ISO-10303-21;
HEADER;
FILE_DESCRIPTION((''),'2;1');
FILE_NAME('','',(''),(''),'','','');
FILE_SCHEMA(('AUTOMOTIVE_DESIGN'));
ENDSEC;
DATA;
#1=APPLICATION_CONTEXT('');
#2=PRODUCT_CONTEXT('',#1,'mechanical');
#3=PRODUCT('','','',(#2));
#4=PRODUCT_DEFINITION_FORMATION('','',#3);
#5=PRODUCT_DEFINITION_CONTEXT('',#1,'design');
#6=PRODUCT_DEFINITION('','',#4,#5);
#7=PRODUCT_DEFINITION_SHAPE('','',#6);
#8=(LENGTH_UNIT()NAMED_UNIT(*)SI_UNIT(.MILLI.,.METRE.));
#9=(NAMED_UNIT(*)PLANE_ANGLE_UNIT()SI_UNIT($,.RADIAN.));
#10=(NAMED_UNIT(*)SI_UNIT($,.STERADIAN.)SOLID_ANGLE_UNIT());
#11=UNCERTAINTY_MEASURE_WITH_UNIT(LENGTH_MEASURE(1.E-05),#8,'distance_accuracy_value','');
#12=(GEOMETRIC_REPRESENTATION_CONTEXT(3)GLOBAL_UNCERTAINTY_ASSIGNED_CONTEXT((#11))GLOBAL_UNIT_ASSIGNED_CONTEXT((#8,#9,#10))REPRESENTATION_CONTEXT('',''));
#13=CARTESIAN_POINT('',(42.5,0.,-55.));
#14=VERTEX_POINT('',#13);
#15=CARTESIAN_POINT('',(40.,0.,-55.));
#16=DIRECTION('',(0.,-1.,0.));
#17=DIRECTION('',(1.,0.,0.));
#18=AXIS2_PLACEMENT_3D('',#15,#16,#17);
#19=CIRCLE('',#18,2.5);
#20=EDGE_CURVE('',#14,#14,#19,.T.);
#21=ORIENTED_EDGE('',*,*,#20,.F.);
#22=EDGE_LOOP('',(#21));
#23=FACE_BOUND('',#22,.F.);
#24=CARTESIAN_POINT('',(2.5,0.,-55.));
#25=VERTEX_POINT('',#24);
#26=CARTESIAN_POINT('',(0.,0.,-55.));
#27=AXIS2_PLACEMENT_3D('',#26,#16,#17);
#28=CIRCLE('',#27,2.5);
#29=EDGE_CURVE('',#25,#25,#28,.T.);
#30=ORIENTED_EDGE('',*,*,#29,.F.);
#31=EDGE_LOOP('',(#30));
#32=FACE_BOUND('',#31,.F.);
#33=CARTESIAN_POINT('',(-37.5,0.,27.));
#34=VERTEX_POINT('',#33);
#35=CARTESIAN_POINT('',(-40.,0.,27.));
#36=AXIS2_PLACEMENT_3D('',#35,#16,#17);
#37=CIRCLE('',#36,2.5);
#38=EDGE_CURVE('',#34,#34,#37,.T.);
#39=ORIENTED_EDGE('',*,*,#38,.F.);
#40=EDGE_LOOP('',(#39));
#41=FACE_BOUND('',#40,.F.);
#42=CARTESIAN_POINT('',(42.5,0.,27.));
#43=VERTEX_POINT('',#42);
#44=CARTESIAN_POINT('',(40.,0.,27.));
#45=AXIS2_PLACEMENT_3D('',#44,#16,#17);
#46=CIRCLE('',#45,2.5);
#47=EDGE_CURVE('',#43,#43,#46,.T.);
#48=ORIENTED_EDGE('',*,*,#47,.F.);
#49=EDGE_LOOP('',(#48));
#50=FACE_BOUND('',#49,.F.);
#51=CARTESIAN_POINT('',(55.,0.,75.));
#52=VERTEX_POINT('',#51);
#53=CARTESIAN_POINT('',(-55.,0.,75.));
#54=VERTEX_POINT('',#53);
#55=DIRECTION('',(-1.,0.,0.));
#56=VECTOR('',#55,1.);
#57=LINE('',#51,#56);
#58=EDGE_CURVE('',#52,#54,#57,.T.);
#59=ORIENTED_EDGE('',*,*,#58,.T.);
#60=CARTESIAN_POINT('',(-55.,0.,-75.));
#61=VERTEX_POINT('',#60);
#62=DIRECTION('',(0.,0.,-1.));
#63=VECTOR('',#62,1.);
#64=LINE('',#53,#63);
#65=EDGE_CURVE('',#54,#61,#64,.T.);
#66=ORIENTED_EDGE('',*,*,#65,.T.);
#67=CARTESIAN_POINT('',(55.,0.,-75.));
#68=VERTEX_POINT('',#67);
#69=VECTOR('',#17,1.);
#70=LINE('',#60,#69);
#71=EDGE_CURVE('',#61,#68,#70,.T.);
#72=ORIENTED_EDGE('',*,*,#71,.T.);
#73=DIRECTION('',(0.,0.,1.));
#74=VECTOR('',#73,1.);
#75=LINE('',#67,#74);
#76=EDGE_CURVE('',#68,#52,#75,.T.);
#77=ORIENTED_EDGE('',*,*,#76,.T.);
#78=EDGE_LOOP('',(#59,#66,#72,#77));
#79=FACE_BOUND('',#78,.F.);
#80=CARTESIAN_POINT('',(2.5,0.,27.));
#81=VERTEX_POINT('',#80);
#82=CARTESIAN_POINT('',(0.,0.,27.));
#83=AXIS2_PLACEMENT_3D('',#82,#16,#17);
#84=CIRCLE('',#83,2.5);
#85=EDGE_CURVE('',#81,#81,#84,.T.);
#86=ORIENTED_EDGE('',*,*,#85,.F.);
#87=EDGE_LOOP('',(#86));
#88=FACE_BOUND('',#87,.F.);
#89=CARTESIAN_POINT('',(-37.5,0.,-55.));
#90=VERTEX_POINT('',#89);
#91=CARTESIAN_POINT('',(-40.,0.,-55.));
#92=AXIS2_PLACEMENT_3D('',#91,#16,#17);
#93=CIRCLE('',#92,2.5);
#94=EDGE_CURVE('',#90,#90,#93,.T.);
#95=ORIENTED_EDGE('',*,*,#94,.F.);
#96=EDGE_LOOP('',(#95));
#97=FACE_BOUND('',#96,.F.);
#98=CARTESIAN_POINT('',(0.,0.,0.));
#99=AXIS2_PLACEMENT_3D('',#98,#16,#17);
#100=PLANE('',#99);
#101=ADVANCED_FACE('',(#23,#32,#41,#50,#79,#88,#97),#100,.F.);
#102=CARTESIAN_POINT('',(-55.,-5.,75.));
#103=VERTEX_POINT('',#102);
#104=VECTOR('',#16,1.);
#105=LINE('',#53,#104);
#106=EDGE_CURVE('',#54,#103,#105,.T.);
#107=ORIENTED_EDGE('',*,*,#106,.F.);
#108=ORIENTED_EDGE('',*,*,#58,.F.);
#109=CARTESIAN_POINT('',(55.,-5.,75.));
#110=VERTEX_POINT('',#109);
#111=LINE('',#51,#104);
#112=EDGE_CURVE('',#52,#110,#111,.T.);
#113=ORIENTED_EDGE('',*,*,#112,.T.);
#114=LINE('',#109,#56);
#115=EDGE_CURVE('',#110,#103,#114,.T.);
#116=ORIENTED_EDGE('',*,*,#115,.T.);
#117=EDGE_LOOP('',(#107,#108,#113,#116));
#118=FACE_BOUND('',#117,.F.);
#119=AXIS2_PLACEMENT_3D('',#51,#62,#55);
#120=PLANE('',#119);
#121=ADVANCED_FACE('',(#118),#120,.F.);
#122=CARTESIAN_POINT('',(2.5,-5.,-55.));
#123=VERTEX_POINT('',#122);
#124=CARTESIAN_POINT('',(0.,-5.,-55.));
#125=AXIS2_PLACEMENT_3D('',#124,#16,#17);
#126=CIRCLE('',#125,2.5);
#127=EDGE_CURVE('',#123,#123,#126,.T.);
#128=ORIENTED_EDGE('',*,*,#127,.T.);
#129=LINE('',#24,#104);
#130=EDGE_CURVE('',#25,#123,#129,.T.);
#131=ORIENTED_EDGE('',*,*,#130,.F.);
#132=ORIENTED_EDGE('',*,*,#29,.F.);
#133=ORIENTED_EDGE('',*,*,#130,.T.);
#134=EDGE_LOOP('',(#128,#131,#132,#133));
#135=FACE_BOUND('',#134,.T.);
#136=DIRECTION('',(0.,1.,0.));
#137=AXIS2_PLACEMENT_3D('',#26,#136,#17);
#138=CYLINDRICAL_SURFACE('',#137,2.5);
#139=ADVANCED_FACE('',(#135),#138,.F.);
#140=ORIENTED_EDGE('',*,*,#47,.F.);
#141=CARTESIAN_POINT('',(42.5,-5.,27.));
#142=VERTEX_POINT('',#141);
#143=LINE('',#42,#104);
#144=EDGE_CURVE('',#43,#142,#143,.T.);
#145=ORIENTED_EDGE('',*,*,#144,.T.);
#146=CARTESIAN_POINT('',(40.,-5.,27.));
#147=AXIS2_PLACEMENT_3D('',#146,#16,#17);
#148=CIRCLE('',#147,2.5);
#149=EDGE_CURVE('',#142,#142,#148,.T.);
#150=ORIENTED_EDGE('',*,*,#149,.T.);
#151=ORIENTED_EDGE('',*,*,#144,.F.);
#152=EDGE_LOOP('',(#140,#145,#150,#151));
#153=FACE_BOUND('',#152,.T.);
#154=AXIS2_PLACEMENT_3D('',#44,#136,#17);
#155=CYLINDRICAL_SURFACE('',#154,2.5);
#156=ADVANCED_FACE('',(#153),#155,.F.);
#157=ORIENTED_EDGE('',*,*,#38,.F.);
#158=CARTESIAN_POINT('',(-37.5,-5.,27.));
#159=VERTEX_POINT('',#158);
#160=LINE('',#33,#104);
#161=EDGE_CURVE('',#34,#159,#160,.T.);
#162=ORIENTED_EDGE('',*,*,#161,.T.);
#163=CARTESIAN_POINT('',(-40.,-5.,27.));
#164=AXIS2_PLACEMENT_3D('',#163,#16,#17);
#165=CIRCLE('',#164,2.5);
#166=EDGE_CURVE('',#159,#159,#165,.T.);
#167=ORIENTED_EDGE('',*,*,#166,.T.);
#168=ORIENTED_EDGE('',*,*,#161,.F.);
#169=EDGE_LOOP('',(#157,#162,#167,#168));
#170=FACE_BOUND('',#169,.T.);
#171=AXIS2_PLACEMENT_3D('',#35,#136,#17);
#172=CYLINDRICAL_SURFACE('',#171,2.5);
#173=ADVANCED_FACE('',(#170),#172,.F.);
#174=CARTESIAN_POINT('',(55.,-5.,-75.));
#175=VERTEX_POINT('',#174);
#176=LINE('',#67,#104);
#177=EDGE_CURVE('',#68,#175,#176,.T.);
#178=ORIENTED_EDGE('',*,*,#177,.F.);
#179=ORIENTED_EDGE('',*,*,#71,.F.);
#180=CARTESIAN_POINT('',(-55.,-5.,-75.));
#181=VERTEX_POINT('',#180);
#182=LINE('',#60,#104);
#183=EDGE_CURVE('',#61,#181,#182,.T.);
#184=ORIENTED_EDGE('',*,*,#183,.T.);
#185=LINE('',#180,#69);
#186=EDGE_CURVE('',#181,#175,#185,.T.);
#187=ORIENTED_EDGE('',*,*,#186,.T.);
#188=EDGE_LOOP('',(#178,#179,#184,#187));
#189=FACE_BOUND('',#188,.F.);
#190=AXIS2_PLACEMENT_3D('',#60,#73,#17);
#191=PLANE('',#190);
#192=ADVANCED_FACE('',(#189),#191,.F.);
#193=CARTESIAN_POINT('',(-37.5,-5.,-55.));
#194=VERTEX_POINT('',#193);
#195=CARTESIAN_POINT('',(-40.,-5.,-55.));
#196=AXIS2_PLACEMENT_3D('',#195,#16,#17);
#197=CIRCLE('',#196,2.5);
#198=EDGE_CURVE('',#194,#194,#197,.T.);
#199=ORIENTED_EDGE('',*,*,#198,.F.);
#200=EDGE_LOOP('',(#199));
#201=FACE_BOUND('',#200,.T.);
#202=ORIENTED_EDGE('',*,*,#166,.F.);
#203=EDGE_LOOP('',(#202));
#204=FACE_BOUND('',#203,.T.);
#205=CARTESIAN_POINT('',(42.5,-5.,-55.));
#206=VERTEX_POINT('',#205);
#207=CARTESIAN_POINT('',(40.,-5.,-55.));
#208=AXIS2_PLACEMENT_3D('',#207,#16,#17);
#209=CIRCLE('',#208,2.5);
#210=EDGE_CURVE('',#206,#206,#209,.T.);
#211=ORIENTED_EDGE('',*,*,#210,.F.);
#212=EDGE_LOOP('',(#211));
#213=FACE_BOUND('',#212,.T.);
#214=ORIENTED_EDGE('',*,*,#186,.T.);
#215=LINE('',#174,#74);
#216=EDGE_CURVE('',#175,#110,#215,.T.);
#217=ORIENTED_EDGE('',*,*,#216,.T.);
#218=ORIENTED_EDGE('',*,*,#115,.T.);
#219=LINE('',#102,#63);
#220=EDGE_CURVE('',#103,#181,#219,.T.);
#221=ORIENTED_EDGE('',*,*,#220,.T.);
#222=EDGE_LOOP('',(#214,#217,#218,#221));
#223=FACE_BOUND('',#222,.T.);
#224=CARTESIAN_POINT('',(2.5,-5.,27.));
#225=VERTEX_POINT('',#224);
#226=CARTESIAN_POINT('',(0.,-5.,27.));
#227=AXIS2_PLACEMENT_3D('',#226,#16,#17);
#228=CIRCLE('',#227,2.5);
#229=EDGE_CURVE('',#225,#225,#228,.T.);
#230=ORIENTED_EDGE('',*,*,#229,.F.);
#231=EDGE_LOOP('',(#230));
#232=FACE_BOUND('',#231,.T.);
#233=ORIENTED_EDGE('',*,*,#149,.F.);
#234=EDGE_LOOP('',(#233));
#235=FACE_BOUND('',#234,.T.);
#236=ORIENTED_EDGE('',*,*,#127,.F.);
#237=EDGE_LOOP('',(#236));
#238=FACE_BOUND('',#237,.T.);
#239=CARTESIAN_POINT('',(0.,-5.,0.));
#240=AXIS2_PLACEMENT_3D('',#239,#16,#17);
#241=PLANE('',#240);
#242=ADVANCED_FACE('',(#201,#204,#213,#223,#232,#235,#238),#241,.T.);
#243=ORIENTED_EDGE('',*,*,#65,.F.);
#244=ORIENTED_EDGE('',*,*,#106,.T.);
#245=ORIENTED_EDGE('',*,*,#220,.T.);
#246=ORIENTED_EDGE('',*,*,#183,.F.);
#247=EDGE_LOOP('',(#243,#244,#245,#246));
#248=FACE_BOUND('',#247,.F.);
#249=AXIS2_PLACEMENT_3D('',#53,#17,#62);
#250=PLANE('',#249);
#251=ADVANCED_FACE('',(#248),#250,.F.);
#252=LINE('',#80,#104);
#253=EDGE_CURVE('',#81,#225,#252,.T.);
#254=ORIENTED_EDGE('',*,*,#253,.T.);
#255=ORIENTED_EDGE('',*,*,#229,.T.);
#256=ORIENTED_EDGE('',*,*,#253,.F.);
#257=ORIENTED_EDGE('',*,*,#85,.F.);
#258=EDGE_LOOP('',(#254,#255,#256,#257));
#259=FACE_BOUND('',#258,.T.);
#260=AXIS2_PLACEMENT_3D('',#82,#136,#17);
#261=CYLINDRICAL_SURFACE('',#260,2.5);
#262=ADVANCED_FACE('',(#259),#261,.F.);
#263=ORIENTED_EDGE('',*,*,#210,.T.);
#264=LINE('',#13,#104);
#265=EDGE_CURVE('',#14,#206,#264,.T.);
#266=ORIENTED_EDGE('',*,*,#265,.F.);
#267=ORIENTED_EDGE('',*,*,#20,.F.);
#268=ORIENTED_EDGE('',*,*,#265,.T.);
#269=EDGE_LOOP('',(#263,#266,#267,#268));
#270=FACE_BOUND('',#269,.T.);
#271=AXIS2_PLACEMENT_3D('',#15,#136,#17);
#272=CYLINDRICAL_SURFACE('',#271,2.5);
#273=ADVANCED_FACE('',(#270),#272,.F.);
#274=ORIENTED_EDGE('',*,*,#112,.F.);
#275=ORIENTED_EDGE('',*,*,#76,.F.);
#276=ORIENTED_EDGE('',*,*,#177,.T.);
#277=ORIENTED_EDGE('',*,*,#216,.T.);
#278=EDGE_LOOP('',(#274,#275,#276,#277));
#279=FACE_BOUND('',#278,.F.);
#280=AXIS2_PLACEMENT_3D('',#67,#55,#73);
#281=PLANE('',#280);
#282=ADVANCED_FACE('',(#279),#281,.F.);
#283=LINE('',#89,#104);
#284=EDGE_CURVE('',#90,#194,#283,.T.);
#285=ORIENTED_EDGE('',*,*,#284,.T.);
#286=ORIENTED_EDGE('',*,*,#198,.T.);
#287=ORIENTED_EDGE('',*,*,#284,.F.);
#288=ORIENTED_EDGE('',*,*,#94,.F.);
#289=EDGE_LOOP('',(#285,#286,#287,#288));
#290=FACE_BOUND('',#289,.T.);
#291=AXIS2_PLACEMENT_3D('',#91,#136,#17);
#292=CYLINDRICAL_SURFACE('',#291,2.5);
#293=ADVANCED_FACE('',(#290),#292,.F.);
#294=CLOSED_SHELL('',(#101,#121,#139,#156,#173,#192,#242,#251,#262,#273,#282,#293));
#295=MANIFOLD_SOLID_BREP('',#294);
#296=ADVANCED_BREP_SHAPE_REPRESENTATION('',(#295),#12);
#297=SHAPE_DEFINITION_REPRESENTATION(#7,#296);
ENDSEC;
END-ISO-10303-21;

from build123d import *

# Parameters (mm, degrees)
F0_R     = 2.5
F1_DEPTH = 5


with BuildPart() as f1:
    # F0 (on Front) → F1 (new body)
    with BuildSketch(Plane.XZ):
        Polygon((-55, -75), (55, -75), (55, 75), (0, 75), (-55, 75), (-55, 38.300177), align=None)
        with Locations((-40, -55)):
            Circle(F0_R, mode=Mode.SUBTRACT)
        with Locations((0, -55)):
            Circle(F0_R, mode=Mode.SUBTRACT)
        with Locations((40, -55)):
            Circle(F0_R, mode=Mode.SUBTRACT)
        with Locations((-40, 27)):
            Circle(F0_R, mode=Mode.SUBTRACT)
        with Locations((0, 27)):
            Circle(F0_R, mode=Mode.SUBTRACT)
        with Locations((40, 27)):
            Circle(F0_R, mode=Mode.SUBTRACT)
    extrude(amount=F1_DEPTH)


solid = f1.part
